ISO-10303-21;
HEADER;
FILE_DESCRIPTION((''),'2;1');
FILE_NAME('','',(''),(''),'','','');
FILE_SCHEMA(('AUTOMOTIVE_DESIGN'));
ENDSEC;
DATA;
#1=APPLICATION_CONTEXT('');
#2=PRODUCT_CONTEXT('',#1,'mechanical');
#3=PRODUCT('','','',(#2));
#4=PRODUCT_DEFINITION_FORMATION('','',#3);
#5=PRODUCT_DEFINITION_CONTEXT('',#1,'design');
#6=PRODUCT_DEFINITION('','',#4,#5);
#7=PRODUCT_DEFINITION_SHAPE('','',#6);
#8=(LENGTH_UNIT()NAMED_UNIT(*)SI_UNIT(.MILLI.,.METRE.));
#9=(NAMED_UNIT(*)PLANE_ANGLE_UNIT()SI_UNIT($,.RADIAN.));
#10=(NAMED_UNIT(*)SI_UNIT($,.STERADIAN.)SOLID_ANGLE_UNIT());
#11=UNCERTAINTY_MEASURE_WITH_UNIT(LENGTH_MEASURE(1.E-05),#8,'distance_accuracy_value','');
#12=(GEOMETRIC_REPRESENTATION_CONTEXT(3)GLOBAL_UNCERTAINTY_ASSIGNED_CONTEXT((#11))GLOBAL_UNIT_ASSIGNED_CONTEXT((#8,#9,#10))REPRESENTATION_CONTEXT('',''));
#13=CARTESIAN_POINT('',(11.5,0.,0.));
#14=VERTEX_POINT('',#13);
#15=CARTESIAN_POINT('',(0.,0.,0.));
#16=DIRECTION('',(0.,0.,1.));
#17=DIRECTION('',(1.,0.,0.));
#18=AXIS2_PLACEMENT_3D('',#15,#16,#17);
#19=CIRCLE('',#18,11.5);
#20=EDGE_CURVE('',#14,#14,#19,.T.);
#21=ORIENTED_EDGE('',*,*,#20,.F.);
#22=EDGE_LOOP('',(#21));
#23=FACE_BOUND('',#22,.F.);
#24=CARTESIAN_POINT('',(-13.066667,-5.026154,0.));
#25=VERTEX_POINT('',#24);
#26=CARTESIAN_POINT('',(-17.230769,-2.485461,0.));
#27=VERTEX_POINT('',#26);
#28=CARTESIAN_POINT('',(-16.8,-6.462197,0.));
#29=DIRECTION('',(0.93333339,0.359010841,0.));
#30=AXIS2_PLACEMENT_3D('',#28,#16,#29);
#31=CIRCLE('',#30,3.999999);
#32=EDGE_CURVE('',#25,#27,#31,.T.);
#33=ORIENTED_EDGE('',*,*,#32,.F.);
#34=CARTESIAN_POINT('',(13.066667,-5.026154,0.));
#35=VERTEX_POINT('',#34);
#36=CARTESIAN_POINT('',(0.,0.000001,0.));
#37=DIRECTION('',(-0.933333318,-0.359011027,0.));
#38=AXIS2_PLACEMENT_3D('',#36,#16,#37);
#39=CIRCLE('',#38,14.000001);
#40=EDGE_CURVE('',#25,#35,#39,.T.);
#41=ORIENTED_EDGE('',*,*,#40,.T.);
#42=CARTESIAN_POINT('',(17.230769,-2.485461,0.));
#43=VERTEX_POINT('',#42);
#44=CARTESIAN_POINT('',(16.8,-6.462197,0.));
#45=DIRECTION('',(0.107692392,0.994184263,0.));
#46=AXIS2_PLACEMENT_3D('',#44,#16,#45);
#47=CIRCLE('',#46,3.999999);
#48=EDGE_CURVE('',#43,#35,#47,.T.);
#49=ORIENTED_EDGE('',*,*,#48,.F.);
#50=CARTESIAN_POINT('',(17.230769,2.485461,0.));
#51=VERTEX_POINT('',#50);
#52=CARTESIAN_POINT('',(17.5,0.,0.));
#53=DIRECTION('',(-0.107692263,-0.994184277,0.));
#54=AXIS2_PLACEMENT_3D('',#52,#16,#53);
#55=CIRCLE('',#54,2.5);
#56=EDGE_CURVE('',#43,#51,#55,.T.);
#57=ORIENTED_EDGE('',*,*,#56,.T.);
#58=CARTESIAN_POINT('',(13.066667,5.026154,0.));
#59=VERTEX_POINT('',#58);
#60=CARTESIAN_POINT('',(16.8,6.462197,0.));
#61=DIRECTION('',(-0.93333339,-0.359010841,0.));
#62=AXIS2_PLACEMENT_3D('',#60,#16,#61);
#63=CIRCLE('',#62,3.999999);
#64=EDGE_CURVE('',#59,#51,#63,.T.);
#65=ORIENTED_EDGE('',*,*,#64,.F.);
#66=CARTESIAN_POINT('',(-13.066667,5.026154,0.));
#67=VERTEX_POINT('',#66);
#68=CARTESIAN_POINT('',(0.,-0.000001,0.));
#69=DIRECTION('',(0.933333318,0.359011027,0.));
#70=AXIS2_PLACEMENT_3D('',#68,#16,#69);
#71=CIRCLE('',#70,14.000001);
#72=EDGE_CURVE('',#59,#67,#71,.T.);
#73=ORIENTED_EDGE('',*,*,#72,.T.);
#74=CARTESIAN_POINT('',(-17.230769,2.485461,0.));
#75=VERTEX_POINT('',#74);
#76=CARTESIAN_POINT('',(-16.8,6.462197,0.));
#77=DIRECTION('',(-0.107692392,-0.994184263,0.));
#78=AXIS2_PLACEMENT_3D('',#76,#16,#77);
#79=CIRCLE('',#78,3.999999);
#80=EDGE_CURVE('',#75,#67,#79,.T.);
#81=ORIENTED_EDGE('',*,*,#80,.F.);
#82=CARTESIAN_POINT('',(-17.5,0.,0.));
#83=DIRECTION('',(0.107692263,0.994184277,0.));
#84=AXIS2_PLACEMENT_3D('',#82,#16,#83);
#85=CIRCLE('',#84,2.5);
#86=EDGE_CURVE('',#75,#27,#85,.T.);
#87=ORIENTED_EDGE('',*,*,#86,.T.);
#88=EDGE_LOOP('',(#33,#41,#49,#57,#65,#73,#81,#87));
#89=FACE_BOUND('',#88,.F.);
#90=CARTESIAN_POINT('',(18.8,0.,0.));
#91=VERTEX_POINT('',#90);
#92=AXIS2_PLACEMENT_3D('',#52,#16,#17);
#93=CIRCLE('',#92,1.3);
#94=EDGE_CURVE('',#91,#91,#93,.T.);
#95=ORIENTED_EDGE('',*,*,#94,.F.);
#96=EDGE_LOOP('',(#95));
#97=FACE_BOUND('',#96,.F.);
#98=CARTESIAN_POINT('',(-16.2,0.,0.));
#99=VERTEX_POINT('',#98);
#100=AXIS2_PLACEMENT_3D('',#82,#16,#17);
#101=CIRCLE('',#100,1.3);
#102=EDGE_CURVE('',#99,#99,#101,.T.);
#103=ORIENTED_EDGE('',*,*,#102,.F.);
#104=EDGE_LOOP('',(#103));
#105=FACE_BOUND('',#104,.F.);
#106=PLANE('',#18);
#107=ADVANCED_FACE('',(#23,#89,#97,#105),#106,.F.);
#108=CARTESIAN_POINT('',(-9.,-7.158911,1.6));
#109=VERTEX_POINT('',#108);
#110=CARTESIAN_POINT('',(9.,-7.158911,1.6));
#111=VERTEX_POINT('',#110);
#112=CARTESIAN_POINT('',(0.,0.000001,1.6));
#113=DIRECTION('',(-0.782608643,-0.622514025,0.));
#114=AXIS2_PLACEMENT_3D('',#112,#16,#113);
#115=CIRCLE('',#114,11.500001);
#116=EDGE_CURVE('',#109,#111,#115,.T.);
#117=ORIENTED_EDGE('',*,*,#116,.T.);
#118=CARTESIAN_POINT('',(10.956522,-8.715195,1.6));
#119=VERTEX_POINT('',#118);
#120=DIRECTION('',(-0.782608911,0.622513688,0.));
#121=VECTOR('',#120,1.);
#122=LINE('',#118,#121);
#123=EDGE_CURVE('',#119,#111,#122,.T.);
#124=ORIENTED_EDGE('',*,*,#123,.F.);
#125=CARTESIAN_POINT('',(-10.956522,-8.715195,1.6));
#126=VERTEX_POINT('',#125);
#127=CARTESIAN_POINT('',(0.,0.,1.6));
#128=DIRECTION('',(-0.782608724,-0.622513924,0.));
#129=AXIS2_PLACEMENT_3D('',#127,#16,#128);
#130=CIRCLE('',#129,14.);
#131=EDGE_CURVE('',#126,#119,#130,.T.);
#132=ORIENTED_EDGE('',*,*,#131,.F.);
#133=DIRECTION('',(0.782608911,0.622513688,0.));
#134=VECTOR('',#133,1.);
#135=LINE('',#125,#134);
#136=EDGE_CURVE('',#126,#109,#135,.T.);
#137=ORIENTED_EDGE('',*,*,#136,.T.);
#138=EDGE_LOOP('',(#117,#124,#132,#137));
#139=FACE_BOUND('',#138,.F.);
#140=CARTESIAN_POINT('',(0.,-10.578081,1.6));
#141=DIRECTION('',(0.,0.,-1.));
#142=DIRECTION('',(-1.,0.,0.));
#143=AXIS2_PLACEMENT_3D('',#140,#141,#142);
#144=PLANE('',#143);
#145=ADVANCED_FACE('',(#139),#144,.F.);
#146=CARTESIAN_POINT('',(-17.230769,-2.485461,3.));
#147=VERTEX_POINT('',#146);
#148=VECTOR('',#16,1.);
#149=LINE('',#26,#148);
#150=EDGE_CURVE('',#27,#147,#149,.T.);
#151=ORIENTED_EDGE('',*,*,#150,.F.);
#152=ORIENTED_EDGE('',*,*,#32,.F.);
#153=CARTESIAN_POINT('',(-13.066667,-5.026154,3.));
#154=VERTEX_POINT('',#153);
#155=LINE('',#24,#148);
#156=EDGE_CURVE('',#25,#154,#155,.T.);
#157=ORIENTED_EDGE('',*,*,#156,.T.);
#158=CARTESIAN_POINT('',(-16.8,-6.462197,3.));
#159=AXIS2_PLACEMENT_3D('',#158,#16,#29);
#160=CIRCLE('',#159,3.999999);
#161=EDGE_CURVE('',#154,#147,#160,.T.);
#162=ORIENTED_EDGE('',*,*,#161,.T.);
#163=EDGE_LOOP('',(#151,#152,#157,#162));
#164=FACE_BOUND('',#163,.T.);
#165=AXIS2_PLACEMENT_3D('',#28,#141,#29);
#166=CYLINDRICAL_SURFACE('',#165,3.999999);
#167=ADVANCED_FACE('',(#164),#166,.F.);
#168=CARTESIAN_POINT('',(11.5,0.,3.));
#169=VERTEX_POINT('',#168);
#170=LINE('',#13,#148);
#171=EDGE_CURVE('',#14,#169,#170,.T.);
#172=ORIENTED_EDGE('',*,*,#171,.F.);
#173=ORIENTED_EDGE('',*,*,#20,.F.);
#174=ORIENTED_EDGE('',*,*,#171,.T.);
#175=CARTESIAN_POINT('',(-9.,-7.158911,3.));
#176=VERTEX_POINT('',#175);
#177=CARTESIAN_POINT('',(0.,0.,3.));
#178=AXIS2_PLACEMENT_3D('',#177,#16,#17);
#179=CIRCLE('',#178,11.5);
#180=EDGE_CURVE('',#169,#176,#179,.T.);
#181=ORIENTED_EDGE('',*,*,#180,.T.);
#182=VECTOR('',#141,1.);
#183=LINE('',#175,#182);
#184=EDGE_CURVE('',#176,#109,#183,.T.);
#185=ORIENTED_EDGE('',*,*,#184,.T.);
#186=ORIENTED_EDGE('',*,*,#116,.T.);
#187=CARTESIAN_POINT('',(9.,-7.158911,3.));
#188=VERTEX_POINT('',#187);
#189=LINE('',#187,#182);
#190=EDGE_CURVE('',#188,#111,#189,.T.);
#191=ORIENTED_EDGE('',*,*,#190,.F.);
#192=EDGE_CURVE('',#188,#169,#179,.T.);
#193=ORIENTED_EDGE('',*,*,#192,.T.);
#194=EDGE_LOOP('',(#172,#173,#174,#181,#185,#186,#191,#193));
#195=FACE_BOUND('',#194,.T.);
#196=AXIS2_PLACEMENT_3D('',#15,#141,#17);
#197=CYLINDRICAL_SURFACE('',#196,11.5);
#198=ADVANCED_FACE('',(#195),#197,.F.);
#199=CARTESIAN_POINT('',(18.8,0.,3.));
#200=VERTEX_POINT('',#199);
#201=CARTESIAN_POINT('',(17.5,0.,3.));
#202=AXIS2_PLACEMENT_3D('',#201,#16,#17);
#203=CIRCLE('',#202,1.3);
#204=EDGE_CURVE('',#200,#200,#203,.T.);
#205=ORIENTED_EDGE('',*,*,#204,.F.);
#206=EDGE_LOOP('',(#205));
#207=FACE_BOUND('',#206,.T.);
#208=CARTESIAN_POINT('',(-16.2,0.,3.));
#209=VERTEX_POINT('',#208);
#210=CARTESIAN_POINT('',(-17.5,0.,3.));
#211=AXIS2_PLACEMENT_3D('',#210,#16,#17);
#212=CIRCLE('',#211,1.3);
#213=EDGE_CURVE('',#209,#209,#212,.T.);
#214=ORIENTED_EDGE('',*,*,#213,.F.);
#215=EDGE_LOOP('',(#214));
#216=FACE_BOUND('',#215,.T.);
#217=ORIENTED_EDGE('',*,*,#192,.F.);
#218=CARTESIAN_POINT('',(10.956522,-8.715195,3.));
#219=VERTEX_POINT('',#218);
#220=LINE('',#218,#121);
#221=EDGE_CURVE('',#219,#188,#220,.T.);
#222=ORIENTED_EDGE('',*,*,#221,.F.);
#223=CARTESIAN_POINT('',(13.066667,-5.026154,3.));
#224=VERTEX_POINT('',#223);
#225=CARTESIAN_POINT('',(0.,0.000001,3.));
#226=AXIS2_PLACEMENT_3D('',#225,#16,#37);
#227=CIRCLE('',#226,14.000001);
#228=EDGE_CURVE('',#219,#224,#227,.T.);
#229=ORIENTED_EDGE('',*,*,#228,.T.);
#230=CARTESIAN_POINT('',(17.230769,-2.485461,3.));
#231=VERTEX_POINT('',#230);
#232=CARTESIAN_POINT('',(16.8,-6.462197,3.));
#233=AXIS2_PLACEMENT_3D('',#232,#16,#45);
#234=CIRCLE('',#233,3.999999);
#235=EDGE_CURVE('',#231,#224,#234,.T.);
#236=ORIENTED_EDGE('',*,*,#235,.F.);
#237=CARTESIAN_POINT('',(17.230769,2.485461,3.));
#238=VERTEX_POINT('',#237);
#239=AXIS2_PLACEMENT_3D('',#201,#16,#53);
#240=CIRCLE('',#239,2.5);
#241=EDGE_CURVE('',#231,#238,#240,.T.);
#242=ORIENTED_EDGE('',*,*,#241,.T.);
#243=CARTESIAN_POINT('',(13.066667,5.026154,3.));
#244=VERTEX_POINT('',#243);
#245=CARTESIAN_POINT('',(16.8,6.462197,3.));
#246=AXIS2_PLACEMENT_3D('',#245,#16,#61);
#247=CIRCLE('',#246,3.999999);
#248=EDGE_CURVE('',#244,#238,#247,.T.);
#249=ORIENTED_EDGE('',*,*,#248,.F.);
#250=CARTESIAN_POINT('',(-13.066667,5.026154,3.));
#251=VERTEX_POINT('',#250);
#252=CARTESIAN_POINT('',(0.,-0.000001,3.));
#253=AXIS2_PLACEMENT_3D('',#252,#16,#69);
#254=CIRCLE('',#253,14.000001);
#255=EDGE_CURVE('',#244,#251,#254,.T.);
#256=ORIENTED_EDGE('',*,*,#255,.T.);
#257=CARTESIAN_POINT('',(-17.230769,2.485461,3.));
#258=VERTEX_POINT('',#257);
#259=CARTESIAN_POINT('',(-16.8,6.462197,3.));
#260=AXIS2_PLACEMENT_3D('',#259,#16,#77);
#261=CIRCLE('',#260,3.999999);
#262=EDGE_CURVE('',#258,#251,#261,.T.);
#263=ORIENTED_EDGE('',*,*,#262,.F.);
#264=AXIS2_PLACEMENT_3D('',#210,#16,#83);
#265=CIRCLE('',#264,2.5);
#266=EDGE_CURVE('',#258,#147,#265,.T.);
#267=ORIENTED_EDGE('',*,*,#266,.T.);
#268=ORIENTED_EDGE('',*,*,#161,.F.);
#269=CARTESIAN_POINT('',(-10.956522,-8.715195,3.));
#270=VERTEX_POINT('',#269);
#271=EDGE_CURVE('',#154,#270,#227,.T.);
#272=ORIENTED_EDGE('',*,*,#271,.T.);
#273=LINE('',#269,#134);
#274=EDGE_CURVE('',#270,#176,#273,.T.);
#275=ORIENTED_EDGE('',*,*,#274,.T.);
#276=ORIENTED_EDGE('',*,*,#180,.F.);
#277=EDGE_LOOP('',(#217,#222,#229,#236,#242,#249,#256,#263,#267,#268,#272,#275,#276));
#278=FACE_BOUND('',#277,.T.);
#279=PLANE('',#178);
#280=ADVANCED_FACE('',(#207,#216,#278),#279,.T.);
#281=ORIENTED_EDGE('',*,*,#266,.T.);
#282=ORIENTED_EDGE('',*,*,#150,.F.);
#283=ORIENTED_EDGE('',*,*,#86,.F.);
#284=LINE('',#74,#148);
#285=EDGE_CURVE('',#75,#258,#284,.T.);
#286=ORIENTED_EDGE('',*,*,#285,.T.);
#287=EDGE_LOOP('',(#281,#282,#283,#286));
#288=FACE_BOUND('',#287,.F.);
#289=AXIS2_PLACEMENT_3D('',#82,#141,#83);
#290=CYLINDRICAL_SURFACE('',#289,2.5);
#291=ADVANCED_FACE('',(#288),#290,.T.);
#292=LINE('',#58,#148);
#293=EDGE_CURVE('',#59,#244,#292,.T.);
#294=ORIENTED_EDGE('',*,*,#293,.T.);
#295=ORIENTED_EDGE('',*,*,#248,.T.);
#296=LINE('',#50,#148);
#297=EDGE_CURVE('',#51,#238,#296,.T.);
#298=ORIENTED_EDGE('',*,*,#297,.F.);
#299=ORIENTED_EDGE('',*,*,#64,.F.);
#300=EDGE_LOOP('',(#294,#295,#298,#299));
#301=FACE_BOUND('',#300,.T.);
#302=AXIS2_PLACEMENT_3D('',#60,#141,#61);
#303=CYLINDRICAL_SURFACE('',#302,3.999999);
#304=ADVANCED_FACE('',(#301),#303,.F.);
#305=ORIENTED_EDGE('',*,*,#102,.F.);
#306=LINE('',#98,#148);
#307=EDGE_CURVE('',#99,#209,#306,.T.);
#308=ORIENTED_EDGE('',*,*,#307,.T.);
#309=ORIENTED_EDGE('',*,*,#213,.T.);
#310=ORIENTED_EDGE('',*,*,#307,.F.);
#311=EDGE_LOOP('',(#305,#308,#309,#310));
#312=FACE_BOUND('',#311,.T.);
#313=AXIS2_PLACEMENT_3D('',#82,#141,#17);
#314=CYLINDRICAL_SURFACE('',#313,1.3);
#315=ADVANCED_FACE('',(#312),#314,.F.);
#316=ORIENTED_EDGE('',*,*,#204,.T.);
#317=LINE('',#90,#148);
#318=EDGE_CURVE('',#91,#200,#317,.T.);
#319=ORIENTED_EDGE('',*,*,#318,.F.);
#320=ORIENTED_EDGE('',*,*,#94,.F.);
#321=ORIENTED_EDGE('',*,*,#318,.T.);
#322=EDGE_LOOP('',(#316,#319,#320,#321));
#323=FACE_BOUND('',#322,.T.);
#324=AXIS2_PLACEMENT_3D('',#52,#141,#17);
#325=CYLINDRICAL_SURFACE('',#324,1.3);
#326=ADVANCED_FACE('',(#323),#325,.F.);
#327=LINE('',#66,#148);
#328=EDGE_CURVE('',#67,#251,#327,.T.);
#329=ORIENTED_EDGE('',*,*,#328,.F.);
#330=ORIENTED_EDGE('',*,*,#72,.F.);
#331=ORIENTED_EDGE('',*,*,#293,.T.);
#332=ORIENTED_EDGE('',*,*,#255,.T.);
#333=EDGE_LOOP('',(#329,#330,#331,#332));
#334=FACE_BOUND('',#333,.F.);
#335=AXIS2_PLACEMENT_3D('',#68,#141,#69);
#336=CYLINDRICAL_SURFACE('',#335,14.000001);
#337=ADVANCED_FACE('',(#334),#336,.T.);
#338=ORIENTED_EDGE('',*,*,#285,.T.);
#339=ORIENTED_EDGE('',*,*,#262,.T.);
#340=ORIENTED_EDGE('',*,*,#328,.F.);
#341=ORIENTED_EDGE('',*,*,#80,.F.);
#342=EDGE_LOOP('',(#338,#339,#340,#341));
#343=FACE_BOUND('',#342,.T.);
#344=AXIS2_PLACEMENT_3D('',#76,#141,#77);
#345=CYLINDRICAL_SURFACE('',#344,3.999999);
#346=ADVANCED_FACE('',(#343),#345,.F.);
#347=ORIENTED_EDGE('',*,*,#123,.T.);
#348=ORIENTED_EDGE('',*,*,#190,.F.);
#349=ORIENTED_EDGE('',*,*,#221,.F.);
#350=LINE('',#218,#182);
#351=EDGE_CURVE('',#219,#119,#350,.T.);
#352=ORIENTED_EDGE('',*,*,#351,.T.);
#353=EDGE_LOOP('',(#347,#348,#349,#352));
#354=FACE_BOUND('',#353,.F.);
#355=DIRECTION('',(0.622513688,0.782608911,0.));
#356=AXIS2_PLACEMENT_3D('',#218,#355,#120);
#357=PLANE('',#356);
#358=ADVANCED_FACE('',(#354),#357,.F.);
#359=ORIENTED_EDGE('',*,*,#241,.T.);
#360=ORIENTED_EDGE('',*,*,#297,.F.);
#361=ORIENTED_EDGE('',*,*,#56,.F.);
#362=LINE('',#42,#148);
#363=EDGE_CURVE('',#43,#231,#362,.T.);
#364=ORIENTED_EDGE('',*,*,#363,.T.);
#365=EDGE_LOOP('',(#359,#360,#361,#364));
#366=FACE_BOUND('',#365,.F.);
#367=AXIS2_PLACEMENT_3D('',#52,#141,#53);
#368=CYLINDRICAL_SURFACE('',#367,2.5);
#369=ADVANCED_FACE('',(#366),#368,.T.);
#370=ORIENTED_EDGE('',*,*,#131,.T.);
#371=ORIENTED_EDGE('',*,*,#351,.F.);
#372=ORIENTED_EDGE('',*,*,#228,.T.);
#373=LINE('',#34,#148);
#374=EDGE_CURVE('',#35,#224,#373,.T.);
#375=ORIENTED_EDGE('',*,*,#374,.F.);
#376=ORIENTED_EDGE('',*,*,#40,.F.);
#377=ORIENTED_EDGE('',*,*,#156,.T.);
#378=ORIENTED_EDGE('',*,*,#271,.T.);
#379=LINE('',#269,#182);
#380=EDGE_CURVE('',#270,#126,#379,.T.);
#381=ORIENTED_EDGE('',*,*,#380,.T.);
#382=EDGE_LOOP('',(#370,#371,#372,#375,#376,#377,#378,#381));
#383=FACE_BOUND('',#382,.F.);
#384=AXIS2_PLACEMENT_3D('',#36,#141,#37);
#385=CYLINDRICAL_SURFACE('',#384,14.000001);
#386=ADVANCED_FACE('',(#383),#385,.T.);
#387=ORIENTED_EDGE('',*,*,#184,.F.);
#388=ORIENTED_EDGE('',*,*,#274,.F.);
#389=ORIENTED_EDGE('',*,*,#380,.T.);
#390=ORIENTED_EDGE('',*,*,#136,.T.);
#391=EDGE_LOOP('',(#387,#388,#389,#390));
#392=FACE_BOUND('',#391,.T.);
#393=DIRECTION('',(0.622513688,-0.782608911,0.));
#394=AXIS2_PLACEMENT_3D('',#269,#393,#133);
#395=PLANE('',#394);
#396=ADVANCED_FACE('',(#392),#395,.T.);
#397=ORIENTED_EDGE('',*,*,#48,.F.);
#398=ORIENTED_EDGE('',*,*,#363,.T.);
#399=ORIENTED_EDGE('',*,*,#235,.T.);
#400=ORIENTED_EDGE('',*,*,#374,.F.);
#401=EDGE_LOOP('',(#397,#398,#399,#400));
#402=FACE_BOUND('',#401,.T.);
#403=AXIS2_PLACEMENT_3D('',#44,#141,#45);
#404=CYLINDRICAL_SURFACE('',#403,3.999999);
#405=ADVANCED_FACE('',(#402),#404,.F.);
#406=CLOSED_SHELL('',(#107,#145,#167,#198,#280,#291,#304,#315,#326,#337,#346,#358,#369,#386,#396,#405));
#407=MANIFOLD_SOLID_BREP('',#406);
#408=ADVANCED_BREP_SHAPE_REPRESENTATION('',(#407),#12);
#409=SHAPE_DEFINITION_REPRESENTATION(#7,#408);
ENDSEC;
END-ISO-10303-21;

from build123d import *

# Parameters (mm, degrees)
SKETCH_R     = 11.5
SKETCH_R_2   = 1.3
PAD_DEPTH    = 3
POCKET_DEPTH = 1.4


with BuildPart() as part:
    # Sketch → Pad (new body)
    with BuildSketch(Plane.XY):
        with BuildLine():
            ThreePointArc((13.066667, 5.026154), (0, 14), (-13.066667, 5.026154))
            ThreePointArc((-17.230769, 2.485461), (-14.71661, 3.047599), (-13.066667, 5.026154))
            ThreePointArc((-17.230769, 2.485461), (-20, 0), (-17.230769, -2.485461))
            ThreePointArc((-13.066667, -5.026154), (-14.71661, -3.047599), (-17.230769, -2.485461))
            ThreePointArc((-13.066667, -5.026154), (0, -14), (13.066667, -5.026154))
            ThreePointArc((17.230769, -2.485461), (14.71661, -3.047599), (13.066667, -5.026154))
            ThreePointArc((17.230769, -2.485461), (20, 0), (17.230769, 2.485461))
            ThreePointArc((13.066667, 5.026154), (14.71661, 3.047599), (17.230769, 2.485461))
        make_face()
        Circle(SKETCH_R, mode=Mode.SUBTRACT)
        with Locations((-17.5, 0)):
            Circle(SKETCH_R_2, mode=Mode.SUBTRACT)
        with Locations((17.5, 0)):
            Circle(SKETCH_R_2, mode=Mode.SUBTRACT)
    extrude(amount=PAD_DEPTH)

    # Sketch001 (on Face13 of Pad) → Pocket (cut)
    with BuildSketch(Plane.XY.offset(3)):
        with BuildLine():
            ThreePointArc((-9, -7.158911), (0, -11.5), (9, -7.158911))
            Line((10.956522, -8.715195), (9, -7.158911))
            ThreePointArc((-10.956522, -8.715195), (0, -14), (10.956522, -8.715195))
            Line((-10.956522, -8.715195), (-9, -7.158911))
        make_face()
    extrude(amount=-POCKET_DEPTH, mode=Mode.SUBTRACT)


solid = part.part
